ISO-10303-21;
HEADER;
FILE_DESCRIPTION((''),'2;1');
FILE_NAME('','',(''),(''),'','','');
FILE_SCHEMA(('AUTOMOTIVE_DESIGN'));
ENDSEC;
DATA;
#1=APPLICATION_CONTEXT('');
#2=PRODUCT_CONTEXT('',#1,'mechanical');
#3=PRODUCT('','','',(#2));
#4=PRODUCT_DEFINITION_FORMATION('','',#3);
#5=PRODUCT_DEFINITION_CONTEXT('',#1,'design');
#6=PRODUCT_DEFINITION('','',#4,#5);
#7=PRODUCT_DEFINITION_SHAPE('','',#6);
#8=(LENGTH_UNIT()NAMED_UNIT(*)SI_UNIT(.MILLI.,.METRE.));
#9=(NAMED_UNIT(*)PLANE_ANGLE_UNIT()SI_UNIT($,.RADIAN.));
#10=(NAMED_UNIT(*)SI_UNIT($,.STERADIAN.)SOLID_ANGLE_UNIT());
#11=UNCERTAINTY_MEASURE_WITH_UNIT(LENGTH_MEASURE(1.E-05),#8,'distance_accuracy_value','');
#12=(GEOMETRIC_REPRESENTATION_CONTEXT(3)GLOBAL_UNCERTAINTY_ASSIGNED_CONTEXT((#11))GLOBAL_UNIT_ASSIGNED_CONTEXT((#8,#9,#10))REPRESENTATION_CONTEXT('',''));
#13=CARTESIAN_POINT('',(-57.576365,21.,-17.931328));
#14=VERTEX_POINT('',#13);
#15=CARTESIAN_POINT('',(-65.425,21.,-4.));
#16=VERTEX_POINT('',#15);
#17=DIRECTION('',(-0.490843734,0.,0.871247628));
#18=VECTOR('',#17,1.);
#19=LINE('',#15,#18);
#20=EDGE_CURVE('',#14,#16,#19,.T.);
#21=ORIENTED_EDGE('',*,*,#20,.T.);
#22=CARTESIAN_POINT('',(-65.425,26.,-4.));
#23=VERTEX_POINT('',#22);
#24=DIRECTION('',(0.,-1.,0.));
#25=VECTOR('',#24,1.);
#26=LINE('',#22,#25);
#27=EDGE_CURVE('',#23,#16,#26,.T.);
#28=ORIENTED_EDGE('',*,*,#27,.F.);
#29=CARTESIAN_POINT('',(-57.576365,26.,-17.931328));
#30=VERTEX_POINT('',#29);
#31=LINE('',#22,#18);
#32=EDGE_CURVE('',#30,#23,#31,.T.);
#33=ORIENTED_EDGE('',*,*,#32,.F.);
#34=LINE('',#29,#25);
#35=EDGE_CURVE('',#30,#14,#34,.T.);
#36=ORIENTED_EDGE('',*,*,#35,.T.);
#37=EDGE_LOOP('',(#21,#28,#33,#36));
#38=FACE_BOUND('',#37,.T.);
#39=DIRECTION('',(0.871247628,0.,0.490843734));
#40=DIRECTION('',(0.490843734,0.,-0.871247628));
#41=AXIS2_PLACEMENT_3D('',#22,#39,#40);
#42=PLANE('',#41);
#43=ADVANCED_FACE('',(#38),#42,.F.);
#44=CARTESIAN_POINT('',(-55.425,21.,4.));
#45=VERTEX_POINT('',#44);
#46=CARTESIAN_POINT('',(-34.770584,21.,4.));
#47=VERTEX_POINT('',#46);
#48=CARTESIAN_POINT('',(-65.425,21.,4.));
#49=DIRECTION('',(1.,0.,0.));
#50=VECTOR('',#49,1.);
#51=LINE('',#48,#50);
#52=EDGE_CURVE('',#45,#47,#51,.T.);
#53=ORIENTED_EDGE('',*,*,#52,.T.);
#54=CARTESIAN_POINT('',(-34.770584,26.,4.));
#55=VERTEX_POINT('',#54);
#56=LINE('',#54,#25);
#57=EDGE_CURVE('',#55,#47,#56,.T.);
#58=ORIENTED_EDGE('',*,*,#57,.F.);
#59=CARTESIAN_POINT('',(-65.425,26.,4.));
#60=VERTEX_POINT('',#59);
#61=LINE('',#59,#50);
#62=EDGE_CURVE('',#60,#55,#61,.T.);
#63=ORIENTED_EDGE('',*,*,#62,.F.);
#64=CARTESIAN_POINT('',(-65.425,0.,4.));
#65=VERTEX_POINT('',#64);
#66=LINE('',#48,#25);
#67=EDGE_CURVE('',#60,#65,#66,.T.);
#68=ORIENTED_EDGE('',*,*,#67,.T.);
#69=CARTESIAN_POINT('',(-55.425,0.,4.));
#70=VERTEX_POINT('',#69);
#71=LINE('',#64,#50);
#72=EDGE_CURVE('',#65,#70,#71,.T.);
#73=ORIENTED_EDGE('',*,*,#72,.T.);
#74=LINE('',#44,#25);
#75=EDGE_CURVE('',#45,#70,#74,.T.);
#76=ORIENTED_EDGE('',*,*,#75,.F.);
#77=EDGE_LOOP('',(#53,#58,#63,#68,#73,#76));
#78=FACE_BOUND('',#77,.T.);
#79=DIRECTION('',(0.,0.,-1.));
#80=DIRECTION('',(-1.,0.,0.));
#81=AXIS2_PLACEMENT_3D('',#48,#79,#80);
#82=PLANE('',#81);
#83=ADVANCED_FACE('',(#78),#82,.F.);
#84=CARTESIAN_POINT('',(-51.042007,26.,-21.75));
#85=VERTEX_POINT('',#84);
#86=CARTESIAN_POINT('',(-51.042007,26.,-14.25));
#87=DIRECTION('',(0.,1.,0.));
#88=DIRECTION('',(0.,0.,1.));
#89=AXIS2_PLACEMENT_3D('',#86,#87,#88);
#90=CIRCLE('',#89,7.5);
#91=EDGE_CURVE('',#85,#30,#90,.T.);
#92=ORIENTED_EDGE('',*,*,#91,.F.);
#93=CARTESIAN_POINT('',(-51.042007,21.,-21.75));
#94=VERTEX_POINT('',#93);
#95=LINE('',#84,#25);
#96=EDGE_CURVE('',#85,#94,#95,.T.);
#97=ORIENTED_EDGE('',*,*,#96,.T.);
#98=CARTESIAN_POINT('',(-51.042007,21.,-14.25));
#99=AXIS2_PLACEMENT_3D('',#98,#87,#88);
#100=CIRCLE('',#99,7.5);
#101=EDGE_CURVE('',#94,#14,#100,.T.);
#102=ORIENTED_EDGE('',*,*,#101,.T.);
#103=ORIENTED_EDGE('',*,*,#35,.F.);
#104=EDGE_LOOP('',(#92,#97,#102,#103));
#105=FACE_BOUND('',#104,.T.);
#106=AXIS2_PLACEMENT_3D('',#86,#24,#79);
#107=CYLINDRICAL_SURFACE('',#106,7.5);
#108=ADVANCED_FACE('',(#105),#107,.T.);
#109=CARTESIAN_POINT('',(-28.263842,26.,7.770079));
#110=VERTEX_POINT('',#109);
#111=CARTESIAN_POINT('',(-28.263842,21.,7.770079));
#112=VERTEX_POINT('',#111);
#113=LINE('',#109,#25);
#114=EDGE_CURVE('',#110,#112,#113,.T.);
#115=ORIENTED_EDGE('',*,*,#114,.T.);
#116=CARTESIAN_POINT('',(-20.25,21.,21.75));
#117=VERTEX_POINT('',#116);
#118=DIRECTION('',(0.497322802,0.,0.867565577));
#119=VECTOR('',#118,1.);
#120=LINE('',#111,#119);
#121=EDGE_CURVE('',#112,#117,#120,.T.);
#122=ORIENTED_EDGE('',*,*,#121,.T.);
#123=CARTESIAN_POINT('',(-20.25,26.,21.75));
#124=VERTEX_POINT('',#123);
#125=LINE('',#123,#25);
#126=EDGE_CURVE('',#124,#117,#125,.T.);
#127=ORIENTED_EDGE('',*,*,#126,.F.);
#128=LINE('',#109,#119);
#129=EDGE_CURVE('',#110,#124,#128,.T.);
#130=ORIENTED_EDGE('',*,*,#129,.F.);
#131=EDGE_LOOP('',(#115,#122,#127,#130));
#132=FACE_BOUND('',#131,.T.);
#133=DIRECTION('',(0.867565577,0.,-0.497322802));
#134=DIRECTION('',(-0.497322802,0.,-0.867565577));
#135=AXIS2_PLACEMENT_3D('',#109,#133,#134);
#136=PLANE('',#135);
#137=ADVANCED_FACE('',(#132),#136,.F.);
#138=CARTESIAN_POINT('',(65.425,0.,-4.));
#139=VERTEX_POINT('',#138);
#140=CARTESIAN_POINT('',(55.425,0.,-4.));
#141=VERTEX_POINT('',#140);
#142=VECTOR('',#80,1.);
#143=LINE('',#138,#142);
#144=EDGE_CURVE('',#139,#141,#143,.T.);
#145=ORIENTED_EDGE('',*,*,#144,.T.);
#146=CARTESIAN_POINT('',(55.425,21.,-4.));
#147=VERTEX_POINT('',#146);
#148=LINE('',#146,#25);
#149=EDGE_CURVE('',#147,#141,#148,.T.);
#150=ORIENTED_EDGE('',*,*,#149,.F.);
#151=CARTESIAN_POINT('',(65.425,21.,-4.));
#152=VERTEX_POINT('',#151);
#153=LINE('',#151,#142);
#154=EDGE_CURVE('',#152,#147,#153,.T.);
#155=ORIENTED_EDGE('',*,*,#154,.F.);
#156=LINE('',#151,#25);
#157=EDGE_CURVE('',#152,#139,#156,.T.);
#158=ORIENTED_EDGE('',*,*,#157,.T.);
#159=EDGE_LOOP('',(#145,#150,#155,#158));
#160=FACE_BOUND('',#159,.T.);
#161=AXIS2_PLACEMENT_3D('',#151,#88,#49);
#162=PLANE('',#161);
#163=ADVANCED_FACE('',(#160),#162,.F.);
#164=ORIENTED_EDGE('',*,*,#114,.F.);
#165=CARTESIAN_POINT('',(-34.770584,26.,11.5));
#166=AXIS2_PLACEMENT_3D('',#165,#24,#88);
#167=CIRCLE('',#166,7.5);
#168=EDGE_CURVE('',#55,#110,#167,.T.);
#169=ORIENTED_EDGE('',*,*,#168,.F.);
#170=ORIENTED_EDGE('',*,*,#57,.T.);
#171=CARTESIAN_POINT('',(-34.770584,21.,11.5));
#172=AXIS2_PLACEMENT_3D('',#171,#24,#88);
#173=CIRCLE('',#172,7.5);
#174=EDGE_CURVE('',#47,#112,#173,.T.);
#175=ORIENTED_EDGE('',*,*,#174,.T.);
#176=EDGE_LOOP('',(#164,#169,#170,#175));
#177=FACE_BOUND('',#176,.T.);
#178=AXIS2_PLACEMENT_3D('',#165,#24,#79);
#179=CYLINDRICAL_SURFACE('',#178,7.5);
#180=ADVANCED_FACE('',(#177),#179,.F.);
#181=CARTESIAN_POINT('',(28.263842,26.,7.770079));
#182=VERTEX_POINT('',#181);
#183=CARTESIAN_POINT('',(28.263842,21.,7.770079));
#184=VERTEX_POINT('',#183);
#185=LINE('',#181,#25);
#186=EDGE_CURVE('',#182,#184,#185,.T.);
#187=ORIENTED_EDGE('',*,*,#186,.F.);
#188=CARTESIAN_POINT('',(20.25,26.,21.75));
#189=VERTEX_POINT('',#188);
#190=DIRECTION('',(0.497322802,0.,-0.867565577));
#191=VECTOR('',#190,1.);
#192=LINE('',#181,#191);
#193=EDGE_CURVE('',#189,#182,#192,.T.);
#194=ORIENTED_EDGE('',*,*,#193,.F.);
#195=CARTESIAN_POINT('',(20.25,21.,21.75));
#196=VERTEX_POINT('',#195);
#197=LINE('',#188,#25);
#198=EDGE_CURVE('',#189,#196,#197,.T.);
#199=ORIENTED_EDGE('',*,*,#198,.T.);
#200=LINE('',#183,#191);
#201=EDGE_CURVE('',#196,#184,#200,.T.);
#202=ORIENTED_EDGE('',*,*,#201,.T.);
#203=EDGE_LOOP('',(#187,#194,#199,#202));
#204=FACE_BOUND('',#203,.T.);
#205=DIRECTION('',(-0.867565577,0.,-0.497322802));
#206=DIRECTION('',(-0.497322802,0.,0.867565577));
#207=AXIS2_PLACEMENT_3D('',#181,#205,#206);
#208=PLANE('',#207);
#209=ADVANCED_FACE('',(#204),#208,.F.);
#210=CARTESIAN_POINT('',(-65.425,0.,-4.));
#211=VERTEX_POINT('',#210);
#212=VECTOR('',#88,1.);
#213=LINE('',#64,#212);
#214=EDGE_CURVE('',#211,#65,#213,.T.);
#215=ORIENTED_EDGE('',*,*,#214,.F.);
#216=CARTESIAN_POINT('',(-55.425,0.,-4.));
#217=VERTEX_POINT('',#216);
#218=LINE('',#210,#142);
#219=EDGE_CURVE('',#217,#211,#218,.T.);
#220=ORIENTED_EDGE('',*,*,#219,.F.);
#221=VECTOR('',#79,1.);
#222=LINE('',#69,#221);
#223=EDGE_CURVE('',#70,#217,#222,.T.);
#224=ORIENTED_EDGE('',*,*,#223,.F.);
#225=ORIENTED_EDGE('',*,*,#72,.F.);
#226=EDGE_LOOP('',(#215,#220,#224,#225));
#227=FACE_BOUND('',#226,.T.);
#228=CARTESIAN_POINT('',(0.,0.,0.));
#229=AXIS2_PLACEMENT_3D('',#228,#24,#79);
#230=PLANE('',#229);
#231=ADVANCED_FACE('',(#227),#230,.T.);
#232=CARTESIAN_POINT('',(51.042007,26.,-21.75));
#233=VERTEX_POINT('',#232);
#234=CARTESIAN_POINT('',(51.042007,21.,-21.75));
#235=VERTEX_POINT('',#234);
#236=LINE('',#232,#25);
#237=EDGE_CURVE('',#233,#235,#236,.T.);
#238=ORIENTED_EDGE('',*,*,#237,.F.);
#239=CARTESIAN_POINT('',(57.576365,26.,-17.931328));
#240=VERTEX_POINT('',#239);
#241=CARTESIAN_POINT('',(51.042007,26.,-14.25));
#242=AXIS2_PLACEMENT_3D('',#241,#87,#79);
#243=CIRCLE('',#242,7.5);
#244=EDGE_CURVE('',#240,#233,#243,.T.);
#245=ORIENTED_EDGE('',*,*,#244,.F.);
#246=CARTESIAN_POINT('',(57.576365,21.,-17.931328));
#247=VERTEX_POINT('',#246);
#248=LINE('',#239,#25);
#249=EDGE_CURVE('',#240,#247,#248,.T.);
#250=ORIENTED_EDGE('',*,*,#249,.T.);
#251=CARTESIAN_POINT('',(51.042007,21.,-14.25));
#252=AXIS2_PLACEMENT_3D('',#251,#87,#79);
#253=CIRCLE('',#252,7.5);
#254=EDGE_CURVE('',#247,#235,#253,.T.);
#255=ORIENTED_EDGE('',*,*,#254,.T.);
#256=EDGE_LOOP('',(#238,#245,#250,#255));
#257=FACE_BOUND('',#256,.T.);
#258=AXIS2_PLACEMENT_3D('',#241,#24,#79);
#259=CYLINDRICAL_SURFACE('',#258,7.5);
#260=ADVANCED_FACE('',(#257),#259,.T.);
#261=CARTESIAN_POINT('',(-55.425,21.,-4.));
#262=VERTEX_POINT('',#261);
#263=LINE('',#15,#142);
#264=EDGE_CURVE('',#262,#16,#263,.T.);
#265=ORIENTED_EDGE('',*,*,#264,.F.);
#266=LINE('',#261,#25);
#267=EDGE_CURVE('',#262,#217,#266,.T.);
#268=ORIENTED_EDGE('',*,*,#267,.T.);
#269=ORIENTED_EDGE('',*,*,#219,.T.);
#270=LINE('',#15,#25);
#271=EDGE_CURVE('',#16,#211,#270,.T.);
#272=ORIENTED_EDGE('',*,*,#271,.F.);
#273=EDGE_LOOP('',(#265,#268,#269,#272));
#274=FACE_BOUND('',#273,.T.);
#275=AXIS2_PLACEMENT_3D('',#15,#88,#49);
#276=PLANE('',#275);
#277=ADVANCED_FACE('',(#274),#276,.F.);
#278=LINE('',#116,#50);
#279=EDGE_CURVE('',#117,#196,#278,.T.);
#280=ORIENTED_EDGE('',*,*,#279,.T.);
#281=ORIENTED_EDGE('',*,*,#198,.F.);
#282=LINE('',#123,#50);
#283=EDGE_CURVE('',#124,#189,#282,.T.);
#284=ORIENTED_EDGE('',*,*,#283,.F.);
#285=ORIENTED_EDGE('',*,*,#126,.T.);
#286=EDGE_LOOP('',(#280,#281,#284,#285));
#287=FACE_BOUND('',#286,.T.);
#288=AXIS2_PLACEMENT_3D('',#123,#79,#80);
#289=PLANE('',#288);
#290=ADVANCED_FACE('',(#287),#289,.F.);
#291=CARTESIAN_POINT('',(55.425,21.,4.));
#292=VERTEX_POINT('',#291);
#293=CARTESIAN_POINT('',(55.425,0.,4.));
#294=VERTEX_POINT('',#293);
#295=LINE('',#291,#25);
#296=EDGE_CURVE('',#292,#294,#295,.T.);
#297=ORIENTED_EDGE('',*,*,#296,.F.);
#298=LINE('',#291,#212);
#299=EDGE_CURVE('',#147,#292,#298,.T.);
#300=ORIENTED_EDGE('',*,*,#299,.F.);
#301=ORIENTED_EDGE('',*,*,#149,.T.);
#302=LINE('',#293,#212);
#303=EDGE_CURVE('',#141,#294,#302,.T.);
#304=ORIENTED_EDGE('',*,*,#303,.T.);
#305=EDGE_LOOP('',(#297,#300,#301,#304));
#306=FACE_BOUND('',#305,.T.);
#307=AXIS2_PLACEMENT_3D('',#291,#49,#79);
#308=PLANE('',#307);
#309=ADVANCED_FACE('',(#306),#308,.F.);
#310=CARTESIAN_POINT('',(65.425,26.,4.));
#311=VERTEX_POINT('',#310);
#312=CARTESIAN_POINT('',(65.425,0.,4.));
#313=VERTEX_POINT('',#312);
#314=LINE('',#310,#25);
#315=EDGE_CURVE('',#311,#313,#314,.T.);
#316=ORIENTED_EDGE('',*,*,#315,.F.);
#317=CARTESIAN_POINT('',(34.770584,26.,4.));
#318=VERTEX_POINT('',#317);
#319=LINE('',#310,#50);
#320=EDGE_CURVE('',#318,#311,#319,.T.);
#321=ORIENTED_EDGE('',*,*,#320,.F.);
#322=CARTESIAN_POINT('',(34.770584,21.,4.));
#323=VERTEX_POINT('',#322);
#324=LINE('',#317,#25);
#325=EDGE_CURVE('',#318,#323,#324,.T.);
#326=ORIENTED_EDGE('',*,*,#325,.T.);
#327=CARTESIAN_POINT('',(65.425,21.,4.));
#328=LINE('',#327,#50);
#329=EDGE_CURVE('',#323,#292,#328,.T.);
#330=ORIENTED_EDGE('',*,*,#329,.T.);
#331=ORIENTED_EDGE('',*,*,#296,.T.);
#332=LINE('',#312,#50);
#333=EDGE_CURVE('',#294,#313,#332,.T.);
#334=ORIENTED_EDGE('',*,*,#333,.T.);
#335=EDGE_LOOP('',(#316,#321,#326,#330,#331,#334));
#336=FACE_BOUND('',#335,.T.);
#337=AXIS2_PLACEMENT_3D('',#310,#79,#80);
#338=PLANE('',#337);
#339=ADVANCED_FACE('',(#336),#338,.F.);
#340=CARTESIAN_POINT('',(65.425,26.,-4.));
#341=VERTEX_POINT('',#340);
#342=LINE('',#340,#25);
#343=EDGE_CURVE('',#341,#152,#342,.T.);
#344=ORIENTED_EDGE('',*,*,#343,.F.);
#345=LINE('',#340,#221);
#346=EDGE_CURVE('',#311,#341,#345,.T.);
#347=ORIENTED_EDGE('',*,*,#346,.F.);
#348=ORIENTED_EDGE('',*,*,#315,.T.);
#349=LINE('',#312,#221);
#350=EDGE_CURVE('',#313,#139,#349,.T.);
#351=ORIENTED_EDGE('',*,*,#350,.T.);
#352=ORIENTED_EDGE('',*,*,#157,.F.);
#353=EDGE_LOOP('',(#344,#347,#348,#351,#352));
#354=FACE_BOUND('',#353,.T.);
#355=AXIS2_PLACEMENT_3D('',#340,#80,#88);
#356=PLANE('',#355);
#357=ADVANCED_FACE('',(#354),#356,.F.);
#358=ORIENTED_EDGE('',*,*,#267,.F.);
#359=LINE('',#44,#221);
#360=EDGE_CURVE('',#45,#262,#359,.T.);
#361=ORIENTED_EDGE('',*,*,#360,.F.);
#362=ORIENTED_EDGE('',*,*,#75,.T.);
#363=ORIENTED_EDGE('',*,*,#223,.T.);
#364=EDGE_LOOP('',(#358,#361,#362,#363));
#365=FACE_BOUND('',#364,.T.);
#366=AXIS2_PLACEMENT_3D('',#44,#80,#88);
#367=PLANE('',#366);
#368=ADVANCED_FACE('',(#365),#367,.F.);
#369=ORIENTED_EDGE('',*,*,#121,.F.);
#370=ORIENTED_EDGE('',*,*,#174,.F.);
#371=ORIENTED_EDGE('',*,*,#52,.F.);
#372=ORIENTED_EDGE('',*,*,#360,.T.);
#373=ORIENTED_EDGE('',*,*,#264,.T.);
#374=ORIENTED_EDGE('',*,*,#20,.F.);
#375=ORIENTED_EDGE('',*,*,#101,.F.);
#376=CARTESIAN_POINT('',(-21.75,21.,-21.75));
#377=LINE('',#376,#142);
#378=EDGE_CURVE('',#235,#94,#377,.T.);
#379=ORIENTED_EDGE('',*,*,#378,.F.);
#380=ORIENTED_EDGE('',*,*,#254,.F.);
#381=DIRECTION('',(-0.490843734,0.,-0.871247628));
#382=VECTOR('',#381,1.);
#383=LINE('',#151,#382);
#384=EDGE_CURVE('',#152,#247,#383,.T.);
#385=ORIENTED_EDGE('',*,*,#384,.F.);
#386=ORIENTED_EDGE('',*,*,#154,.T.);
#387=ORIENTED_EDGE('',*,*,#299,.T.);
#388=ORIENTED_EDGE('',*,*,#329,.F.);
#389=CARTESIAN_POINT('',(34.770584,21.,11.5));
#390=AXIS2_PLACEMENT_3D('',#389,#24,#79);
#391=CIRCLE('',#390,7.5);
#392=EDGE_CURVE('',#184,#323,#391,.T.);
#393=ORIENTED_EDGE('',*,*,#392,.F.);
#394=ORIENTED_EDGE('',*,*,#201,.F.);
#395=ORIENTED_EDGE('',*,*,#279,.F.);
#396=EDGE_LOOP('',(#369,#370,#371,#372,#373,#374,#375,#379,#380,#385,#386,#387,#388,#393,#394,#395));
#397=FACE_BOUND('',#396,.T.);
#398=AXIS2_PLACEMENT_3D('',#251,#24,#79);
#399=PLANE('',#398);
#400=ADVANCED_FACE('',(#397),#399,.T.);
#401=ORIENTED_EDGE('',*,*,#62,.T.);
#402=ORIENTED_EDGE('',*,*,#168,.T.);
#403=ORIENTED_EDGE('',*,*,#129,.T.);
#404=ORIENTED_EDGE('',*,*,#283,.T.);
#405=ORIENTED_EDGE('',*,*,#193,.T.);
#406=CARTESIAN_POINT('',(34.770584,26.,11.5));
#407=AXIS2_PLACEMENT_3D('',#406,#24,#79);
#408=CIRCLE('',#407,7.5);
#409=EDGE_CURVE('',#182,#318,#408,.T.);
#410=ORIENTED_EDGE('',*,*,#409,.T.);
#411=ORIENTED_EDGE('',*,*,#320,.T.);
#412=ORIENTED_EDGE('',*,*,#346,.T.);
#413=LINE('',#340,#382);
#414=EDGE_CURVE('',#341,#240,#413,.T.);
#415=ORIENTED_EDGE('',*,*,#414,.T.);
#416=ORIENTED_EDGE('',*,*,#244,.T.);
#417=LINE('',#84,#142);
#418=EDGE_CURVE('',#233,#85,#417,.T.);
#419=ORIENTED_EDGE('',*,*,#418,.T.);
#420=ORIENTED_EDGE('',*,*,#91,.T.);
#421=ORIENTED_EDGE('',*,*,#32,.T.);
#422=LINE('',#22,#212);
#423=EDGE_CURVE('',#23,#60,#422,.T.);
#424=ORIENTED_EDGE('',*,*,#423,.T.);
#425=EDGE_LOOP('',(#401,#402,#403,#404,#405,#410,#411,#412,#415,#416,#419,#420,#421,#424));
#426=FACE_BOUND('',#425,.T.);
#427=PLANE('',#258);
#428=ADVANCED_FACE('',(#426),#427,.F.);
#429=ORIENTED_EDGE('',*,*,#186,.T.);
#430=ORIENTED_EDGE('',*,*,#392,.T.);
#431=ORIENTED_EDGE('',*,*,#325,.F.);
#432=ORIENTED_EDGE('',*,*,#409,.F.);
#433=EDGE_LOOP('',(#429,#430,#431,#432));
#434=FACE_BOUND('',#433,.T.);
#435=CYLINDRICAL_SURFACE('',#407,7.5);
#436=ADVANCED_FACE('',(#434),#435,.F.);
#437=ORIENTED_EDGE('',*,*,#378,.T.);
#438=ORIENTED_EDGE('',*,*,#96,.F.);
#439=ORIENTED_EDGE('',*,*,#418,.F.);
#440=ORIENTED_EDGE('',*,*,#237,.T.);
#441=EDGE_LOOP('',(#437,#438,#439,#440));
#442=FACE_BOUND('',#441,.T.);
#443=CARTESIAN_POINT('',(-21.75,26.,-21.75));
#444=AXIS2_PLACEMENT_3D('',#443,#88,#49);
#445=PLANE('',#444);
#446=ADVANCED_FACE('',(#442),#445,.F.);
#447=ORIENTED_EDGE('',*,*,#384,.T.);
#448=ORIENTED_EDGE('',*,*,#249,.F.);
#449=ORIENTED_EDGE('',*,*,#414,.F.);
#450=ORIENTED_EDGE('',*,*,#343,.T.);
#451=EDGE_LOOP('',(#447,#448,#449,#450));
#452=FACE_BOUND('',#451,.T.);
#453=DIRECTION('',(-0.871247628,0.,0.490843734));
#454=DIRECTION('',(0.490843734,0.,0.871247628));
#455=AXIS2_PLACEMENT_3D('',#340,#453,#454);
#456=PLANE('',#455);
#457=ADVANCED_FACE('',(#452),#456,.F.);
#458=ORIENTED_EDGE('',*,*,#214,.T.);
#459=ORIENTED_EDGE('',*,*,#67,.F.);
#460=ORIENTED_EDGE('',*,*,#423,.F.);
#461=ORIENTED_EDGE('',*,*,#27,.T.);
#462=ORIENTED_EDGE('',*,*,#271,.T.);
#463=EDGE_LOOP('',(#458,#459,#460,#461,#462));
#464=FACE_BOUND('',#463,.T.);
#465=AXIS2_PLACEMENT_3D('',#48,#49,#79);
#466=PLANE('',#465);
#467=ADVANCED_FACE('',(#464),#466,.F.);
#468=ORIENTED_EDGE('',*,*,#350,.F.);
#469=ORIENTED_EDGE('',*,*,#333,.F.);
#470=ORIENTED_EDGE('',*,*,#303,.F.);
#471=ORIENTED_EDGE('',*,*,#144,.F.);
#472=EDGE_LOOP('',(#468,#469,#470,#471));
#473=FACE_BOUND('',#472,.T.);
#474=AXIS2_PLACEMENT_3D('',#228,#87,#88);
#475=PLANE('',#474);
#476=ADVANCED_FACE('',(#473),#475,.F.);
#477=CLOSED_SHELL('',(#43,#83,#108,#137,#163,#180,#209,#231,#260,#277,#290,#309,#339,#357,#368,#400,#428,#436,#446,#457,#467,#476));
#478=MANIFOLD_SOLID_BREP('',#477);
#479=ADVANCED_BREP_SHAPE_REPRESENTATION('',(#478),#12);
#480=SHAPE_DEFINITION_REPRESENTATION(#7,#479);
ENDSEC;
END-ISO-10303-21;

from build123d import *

# Parameters (mm, degrees)
SKETCH1_W             = 10
SKETCH1_H             = 8
BOSS_EXTRUDE1_DEPTH   = 21
BOSS_EXTRUDE1_2_DEPTH = 21
BOSS_EXTRUDE2_DEPTH   = 5


with BuildPart() as part:
    # Sketch1 → Boss-Extrude1 (new body)
    with BuildSketch(Plane(origin=(0, 0, 0), x_dir=(1, 0, 0), z_dir=(0, 1, 0))):
        with Locations((-60.425, 0)):
            Rectangle(SKETCH1_W, SKETCH1_H)
    extrude(amount=BOSS_EXTRUDE1_DEPTH)



with BuildPart() as body_2:
    # Sketch1 → Boss-Extrude1 2 (new body)
    with BuildSketch(Plane(origin=(0, 0, 0), x_dir=(1, 0, 0), z_dir=(0, 1, 0))):
        with Locations((60.425, 0)):
            Rectangle(SKETCH1_W, SKETCH1_H)
    extrude(amount=BOSS_EXTRUDE1_2_DEPTH)


with BuildPart() as part_1:
    add(part.part)

    add(body_2.part)  # Boss-Extrude2 merges body 2
    # Sketch2 → Boss-Extrude2 (add)
    with BuildSketch(Plane(origin=(0, 21, 0), x_dir=(1, 0, 0), z_dir=(0, 1, 0))):
        with BuildLine():
            Line((-21.75, 21.75), (21.75, 21.75))
            Line((21.75, 21.75), (51.042007296, 21.75))
            ThreePointArc((51.042007296, 21.75), (54.826187522, 20.725336286), (57.576364504, 17.931328005))
            Line((57.576364504, 17.931328005), (65.425, 4))
            Line((65.425, 4), (65.425, -4))
            Line((65.425, -4), (34.770583875, -4))
            ThreePointArc((34.770583875, -4), (31.010557787, -5.010608363), (28.263842049, -7.770078981))
            Line((28.263842049, -7.770078981), (20.25, -21.75))
            Line((20.25, -21.75), (-20.25, -21.75))
            Line((-20.25, -21.75), (-28.263842049, -7.770078981))
            ThreePointArc((-28.263842049, -7.770078981), (-31.010557787, -5.010608363), (-34.770583875, -4))
            Line((-34.770583875, -4), (-65.425, -4))
            Line((-65.425, -4), (-65.425, 4))
            Line((-65.425, 4), (-57.576364504, 17.931328005))
            ThreePointArc((-57.576364504, 17.931328005), (-54.826187522, 20.725336286), (-51.042007296, 21.75))
            Line((-51.042007296, 21.75), (-21.75, 21.75))
        make_face()
    extrude(amount=BOSS_EXTRUDE2_DEPTH)


solid = part_1.part
